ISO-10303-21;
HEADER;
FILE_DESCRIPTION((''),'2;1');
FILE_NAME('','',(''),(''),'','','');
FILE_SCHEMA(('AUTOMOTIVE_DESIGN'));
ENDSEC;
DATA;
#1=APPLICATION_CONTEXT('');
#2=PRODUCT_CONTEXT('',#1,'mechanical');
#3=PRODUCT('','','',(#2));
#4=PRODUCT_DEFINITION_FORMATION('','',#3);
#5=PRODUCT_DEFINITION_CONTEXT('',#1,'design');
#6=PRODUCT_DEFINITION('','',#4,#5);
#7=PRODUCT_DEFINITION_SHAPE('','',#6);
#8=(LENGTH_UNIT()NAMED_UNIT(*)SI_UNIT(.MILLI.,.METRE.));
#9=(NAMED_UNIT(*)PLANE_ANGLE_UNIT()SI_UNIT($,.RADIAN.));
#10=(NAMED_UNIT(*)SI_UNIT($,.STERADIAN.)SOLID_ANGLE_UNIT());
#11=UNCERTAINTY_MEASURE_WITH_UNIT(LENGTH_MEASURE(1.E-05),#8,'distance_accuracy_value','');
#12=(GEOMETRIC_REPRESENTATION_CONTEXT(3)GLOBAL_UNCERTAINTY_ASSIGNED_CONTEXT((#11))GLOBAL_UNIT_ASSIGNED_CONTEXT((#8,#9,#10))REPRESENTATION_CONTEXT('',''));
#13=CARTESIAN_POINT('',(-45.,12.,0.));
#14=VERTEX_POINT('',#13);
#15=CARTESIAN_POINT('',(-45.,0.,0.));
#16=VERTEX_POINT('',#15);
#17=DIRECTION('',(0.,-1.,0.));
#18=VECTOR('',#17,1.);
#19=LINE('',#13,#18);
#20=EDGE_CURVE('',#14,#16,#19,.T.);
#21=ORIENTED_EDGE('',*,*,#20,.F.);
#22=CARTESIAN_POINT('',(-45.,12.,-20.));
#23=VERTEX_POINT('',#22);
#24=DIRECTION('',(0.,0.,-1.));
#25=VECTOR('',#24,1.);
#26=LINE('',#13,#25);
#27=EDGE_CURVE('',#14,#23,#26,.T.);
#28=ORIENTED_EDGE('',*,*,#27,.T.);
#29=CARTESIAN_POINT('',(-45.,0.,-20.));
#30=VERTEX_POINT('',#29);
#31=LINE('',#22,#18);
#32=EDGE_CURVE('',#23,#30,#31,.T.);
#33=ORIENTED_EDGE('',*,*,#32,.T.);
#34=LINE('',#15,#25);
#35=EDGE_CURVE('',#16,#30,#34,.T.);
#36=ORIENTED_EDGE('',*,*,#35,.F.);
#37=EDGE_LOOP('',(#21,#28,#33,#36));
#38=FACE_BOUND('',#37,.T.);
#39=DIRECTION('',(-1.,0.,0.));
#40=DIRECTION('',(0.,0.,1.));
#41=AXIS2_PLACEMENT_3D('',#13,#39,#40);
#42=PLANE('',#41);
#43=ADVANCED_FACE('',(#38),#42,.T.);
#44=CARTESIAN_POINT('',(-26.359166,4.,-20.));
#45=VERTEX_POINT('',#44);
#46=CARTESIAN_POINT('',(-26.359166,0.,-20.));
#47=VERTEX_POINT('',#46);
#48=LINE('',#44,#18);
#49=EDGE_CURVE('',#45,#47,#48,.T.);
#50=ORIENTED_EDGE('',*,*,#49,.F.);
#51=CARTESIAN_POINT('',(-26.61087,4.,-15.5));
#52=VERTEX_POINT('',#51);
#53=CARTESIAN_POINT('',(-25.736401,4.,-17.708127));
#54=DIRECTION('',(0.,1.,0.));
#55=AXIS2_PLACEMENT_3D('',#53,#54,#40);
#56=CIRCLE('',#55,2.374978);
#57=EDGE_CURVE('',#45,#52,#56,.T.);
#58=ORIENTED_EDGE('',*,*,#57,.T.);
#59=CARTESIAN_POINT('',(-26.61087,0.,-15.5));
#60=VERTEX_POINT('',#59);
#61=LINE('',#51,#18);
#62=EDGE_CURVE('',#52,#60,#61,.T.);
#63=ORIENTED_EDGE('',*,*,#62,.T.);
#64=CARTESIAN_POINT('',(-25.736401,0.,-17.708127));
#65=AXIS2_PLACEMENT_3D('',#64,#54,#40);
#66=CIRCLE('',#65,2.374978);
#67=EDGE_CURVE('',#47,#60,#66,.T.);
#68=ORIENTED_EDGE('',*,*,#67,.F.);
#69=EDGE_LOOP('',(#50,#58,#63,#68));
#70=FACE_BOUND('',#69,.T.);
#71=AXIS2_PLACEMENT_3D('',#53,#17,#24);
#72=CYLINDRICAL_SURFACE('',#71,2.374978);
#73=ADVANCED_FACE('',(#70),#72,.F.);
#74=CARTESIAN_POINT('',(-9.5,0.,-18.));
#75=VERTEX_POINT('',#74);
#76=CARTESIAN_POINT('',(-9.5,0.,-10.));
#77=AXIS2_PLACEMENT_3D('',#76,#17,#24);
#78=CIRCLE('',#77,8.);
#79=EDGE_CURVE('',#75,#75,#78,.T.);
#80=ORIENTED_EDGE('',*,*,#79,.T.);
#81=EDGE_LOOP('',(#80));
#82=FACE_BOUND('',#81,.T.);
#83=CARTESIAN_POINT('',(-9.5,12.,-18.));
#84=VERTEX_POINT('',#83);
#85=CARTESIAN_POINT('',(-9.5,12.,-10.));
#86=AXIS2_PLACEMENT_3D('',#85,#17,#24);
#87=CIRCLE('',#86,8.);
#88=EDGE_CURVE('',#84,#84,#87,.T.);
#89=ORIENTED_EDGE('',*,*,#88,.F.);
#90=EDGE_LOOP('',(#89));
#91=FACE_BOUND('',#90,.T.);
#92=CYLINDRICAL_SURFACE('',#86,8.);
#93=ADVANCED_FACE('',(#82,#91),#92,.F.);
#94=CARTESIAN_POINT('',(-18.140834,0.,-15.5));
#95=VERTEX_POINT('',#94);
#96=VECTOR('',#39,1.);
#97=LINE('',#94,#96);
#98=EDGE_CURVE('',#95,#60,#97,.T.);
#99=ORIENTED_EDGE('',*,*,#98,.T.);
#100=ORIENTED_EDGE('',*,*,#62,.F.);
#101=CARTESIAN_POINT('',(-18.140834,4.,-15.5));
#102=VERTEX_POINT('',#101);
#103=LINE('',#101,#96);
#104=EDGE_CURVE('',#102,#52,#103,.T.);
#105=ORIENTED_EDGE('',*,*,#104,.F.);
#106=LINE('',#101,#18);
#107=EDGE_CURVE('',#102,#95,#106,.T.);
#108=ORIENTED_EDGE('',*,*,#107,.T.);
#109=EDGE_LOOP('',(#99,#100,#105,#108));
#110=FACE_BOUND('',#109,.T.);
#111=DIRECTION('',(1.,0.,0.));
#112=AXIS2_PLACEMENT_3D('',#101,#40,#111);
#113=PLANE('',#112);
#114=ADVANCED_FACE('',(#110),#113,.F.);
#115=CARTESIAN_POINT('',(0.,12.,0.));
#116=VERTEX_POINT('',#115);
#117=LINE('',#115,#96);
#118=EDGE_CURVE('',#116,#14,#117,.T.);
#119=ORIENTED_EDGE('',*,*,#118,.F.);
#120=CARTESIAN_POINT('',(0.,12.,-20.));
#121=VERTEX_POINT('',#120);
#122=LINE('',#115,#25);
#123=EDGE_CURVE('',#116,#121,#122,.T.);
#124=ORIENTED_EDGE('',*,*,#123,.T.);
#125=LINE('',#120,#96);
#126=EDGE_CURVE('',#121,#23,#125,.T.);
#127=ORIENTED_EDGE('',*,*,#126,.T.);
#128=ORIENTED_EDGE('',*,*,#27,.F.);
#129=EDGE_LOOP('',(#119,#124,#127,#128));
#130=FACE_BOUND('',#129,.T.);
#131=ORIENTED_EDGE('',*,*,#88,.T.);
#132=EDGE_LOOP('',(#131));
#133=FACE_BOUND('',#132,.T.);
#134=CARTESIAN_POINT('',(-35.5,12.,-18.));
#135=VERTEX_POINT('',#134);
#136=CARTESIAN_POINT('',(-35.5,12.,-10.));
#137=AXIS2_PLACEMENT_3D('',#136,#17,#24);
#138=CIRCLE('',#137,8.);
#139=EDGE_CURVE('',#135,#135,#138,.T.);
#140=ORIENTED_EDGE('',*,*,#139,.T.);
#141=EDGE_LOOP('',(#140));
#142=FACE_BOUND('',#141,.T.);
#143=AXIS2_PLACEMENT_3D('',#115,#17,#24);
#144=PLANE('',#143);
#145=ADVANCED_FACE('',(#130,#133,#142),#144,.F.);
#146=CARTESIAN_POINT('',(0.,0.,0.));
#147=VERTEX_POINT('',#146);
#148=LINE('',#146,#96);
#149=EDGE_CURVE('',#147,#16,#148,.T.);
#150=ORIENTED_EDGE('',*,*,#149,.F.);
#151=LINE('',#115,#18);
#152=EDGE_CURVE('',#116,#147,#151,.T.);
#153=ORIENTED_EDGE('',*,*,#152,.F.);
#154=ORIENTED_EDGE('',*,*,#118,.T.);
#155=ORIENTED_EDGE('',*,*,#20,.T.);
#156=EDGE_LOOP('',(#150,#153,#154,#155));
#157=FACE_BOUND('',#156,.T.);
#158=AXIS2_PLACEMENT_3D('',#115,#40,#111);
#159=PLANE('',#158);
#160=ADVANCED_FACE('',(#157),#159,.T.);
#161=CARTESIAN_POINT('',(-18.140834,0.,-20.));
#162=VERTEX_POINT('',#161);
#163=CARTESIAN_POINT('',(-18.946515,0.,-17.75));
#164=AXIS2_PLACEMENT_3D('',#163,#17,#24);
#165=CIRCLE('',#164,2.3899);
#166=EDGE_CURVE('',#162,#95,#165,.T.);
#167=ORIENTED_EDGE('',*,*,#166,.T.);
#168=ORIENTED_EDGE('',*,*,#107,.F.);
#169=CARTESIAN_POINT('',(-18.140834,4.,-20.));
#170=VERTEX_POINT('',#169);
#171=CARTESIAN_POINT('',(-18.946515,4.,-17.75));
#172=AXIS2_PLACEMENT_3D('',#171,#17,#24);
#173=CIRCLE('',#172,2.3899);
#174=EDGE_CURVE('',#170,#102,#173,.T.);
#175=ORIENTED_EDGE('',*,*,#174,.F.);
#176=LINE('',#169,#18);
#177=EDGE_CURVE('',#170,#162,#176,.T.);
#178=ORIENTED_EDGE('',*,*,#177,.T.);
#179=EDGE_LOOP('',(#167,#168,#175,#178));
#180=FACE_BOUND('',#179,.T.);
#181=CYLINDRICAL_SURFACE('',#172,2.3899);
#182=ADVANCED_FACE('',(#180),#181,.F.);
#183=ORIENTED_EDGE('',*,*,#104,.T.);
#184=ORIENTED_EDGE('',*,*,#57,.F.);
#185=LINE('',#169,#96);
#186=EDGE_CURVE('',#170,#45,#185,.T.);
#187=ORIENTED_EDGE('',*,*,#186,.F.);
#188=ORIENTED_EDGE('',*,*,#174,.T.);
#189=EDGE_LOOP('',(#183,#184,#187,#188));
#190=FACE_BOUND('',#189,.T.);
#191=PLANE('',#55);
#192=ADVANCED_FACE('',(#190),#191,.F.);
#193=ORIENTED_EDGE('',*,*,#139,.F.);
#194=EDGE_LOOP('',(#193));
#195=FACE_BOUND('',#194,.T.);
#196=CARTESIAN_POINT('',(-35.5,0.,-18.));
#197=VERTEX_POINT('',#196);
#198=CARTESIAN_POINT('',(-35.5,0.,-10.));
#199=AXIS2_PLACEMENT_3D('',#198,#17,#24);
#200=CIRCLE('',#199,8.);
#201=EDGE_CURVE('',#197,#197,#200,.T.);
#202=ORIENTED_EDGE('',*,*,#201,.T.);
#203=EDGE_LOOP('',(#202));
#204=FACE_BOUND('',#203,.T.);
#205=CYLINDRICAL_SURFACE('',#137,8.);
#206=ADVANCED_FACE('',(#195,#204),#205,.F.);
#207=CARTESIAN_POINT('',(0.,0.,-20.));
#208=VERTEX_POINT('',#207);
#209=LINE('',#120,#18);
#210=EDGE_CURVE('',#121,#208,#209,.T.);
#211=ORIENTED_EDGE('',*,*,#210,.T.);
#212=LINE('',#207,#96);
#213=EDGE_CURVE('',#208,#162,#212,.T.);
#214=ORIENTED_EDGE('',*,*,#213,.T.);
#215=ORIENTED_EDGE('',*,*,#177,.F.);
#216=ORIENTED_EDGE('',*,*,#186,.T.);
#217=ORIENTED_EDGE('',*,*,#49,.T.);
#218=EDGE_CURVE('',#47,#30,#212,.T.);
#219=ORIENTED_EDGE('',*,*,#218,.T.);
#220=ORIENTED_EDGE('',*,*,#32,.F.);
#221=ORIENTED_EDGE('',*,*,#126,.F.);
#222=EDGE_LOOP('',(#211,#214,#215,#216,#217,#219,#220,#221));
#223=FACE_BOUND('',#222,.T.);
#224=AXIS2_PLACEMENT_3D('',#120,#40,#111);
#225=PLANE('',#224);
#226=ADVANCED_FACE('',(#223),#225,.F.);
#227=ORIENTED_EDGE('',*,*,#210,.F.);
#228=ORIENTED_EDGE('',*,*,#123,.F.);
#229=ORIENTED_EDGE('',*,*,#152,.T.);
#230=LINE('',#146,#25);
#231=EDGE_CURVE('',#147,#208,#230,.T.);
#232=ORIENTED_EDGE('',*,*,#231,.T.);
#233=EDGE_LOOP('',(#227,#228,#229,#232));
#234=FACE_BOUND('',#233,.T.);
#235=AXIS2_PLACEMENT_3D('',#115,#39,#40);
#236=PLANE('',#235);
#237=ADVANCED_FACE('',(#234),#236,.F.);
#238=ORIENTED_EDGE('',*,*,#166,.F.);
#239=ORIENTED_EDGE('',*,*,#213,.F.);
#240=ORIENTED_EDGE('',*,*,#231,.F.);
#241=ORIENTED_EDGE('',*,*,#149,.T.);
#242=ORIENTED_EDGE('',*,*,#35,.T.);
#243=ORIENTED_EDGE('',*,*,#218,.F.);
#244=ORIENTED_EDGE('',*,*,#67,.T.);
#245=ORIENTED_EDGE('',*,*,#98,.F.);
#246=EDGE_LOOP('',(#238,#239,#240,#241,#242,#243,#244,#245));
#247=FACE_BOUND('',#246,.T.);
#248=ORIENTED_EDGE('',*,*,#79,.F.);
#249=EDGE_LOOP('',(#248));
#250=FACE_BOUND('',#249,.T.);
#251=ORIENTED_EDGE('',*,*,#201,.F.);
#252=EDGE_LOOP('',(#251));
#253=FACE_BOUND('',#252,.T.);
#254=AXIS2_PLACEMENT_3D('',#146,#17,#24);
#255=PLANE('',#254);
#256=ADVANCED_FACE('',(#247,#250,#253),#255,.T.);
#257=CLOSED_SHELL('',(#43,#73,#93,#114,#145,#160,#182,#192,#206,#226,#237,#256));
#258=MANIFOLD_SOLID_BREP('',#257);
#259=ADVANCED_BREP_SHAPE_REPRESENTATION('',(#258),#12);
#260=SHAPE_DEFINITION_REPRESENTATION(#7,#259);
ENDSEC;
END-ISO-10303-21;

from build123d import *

# Parameters (mm, degrees)
SKETCH1_W           = 45
SKETCH1_H           = 20
BOSS_EXTRUDE2_DEPTH = 12
SKETCH3_R           = 8
CUT_EXTRUDE1_DEPTH  = 51.68530359
CUT_EXTRUDE2_DEPTH  = 4


with BuildPart() as part:
    # Sketch1 → Boss-Extrude2 (new body)
    with BuildSketch(Plane(origin=(0, 0, 0), x_dir=(1, 0, 0), z_dir=(0, 1, 0))):
        with Locations((-22.5, 10)):
            Rectangle(SKETCH1_W, SKETCH1_H)
    extrude(amount=BOSS_EXTRUDE2_DEPTH)

    # Sketch3 → Cut-Extrude1 (cut, through all)
    with BuildSketch(Plane.XZ):
        with Locations(Location((-9.5, -10, 0), (0, 0, 270))):
            Circle(SKETCH3_R)
        with Locations(Location((-35.5, -10, 0), (0, 0, 270))):
            Circle(SKETCH3_R)
    extrude(amount=-CUT_EXTRUDE1_DEPTH, mode=Mode.SUBTRACT)

    # Sketch5 → Cut-Extrude2 (cut)
    with BuildSketch(Plane.XZ):
        with BuildLine():
            Line((-18.140833695, -15.5), (-26.610870323, -15.5))
            ThreePointArc((-26.610870323, -15.5), (-28.107672495, -17.840761906), (-26.359166305, -20))
            Line((-26.359166305, -20), (-18.140833695, -20))
            ThreePointArc((-18.140833695, -20), (-16.55661493, -17.75), (-18.140833695, -15.5))
        make_face()
    extrude(amount=-CUT_EXTRUDE2_DEPTH, mode=Mode.SUBTRACT)


solid = part.part
